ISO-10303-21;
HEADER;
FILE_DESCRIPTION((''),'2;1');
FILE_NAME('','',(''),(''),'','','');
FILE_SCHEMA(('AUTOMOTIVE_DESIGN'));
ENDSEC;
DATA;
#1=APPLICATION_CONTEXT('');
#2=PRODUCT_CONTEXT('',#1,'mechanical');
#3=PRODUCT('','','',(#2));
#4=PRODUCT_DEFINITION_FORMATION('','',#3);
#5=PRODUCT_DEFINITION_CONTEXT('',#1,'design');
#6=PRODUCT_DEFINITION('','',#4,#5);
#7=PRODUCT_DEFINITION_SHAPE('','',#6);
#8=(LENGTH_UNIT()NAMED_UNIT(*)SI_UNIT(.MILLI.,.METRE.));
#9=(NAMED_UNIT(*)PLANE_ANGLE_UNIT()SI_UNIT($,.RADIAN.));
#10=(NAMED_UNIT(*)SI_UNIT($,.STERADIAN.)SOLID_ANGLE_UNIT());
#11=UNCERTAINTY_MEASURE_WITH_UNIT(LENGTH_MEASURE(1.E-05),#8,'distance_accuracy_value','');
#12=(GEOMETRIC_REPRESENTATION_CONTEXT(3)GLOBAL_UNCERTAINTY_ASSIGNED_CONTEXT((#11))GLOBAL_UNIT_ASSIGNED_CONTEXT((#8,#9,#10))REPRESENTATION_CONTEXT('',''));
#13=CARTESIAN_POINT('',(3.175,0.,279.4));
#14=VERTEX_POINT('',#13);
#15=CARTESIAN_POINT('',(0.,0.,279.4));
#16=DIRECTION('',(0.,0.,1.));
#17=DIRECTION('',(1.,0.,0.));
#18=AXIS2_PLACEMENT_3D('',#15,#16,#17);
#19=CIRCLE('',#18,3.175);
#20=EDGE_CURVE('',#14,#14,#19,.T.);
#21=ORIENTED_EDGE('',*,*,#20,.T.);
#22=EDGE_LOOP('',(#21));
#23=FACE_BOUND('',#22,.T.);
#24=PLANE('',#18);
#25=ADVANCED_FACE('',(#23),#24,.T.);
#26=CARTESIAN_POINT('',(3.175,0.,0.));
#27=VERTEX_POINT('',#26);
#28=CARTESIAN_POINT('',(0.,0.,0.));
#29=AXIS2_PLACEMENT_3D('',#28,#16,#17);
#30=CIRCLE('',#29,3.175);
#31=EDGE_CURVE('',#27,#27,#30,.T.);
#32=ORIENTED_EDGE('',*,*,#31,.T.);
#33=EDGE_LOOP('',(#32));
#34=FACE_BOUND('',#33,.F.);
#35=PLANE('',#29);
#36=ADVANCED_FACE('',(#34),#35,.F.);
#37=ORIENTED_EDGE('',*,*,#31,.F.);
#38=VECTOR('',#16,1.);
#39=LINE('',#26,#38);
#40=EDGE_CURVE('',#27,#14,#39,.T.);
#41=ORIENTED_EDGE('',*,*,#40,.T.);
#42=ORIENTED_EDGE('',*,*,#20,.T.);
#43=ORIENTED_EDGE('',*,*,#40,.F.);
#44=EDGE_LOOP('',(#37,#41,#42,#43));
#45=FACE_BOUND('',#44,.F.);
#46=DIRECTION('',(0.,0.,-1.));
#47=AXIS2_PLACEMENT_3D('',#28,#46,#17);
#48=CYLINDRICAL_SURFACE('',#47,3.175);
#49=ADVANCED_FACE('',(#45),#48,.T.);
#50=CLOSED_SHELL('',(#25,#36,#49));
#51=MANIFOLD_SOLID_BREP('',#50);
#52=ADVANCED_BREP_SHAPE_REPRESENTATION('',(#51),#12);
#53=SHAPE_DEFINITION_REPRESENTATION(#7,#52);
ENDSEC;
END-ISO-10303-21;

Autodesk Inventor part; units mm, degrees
ref_plane "YZ Plane" through (0, 0, 0) normal (1, 0, 0) x (0, 1, 0)
ref_plane "XZ Plane" through (0, 0, 0) normal (0, 1, 0) x (-1, 0, 0)
ref_plane "XY Plane" through (0, 0, 0) normal (0, 0, 1) x (1, 0, 0)
sketch "Sketch1" plane through (0, 0, 0) normal (0, 0, 1) x (1, 0, 0)
  circle A0 centre (0, 0) radius 3.175
  dimension "d0" = 6.35
  dimension "d0" = 6.35
extrude "Extrusion1" add sketch "Sketch1" along normal blind 279.4
properties part number "CenterFinder"
